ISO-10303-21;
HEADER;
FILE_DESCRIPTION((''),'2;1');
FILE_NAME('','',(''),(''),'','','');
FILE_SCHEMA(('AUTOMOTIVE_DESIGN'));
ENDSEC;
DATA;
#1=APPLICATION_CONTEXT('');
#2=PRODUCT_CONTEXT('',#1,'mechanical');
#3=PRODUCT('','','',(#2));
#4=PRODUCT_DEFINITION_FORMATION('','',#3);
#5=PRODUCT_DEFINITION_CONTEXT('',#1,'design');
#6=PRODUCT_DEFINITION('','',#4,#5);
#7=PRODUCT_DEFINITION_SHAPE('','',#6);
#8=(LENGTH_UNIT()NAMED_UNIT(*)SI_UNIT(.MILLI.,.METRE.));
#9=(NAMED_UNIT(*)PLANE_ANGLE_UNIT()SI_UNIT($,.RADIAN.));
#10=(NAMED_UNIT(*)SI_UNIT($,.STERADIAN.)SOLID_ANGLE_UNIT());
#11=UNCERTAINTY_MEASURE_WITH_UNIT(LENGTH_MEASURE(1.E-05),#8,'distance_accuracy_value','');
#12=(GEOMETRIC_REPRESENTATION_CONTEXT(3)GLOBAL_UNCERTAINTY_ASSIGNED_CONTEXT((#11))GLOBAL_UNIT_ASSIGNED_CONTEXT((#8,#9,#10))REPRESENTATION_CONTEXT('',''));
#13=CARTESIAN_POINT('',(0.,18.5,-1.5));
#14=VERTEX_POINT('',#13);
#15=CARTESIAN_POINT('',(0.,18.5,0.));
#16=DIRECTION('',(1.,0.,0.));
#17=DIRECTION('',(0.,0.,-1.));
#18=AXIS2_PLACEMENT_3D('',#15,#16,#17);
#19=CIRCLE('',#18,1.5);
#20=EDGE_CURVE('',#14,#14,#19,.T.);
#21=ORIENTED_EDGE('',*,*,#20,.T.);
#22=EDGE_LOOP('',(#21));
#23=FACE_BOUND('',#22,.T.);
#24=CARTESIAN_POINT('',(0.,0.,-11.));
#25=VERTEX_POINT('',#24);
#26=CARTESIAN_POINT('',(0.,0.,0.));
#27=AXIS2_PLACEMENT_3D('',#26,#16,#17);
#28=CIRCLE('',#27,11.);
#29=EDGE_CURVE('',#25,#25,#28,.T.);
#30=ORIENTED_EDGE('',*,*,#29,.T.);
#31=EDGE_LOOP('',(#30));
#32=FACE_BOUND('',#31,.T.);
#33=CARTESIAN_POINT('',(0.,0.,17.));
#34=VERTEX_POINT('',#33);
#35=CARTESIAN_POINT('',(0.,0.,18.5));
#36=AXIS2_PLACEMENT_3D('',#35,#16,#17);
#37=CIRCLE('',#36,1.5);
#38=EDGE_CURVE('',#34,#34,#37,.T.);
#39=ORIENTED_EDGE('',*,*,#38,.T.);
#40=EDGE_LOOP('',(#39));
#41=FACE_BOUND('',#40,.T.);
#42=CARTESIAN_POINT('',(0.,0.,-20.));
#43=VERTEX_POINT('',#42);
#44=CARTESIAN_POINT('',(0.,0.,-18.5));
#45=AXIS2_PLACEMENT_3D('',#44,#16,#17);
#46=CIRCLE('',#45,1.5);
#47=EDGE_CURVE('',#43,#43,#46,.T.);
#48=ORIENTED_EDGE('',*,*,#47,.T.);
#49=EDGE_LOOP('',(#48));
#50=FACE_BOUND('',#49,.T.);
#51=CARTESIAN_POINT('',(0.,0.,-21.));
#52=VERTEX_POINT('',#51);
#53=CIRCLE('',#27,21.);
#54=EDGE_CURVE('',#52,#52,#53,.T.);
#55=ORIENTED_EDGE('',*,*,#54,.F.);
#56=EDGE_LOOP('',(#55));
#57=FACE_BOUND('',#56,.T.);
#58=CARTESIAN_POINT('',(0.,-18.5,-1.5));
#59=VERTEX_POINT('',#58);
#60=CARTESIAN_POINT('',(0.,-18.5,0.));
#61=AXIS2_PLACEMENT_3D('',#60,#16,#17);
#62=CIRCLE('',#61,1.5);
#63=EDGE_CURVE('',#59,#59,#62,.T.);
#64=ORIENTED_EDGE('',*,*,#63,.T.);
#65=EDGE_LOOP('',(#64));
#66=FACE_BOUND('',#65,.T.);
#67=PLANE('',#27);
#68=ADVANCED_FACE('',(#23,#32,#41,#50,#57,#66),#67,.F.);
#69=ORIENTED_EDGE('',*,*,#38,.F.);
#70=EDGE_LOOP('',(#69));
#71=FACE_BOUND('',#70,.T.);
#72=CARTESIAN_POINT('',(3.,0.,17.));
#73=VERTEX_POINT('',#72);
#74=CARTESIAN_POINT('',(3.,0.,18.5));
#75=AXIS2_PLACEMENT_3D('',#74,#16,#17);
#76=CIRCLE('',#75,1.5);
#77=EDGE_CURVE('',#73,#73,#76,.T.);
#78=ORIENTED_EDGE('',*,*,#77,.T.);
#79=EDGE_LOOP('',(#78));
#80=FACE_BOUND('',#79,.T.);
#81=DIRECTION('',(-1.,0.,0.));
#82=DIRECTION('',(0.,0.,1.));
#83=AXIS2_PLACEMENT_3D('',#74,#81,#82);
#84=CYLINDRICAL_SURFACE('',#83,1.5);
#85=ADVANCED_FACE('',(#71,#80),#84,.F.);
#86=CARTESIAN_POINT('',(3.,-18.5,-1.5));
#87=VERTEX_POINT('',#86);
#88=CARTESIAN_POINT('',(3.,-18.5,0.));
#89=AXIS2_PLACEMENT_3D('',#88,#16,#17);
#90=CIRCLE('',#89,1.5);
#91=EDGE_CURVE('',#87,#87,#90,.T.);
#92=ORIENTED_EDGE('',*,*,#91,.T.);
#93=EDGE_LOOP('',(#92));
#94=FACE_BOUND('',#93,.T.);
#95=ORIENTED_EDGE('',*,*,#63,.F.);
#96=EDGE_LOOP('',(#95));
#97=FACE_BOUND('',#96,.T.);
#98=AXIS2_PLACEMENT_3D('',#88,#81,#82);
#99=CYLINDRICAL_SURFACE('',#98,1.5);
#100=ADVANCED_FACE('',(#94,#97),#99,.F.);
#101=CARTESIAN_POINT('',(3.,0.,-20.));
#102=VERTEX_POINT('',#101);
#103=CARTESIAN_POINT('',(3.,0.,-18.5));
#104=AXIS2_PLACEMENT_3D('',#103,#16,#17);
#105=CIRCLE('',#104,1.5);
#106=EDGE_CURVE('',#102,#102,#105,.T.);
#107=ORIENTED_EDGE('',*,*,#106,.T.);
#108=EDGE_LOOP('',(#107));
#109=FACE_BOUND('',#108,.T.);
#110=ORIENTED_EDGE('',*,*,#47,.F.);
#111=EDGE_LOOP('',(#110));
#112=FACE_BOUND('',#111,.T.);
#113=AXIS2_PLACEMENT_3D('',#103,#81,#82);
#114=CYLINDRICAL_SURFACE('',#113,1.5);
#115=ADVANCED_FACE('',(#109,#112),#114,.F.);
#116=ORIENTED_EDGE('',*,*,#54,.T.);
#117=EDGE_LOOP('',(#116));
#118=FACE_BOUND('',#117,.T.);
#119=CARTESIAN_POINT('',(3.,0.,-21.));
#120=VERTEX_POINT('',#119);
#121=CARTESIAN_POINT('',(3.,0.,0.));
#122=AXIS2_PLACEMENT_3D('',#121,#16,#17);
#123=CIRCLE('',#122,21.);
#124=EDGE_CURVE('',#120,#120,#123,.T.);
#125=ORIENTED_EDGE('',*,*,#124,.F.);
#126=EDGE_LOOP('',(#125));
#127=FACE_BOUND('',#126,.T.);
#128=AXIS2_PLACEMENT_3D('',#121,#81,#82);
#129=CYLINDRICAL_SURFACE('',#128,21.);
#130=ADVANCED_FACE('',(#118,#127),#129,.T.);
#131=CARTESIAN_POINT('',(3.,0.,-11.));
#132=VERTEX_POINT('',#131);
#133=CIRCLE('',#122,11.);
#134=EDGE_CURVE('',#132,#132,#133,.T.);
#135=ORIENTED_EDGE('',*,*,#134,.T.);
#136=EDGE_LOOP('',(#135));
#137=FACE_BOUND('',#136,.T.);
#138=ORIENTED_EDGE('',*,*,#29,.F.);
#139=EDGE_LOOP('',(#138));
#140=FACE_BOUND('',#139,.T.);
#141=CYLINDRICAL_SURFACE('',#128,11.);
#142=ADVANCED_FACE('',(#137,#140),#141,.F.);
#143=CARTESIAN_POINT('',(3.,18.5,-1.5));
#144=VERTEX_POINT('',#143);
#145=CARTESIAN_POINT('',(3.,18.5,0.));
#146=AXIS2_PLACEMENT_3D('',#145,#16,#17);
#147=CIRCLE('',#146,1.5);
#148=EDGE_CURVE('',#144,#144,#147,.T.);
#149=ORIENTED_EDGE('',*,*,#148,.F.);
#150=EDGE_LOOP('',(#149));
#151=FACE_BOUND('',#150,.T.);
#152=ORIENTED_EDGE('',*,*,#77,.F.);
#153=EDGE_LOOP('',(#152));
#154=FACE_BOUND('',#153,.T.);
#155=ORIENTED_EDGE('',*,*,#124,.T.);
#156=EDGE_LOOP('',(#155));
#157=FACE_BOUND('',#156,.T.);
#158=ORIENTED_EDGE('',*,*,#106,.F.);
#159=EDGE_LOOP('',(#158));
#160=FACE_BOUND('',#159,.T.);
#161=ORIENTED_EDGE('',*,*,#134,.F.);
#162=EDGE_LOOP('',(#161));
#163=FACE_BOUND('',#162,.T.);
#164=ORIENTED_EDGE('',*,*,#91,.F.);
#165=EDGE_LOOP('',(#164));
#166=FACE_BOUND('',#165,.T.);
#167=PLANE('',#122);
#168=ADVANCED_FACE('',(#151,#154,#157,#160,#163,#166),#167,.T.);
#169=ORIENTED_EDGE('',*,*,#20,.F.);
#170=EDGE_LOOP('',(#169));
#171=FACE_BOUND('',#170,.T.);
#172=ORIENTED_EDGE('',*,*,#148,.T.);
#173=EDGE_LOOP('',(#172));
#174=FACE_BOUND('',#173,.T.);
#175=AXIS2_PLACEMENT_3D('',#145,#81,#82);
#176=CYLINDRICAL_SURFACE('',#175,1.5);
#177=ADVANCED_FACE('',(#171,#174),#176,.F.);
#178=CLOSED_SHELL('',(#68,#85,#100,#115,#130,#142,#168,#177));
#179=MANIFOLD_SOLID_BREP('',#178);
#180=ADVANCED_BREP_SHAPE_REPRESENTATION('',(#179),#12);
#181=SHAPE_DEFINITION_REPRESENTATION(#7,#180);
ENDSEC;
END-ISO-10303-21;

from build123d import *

# Parameters (mm, degrees)
SKETCH1_R           = 21
SKETCH1_R_2         = 11
SKETCH1_R_3         = 1.5
BOSS_EXTRUDE1_DEPTH = 3


with BuildPart() as part:
    # Sketch1 → Boss-Extrude1 (new body)
    with BuildSketch(Plane(origin=(0, 0, 0), x_dir=(0, 0, -1), z_dir=(1, 0, 0))):
        Circle(SKETCH1_R)
        Circle(SKETCH1_R_2, mode=Mode.SUBTRACT)
        with Locations((0, 18.5)):
            Circle(SKETCH1_R_3, mode=Mode.SUBTRACT)
        with Locations((18.5, 0)):
            Circle(SKETCH1_R_3, mode=Mode.SUBTRACT)
        with Locations((0, -18.5)):
            Circle(SKETCH1_R_3, mode=Mode.SUBTRACT)
        with Locations((-18.5, 0)):
            Circle(SKETCH1_R_3, mode=Mode.SUBTRACT)
    extrude(amount=BOSS_EXTRUDE1_DEPTH)


solid = part.part
